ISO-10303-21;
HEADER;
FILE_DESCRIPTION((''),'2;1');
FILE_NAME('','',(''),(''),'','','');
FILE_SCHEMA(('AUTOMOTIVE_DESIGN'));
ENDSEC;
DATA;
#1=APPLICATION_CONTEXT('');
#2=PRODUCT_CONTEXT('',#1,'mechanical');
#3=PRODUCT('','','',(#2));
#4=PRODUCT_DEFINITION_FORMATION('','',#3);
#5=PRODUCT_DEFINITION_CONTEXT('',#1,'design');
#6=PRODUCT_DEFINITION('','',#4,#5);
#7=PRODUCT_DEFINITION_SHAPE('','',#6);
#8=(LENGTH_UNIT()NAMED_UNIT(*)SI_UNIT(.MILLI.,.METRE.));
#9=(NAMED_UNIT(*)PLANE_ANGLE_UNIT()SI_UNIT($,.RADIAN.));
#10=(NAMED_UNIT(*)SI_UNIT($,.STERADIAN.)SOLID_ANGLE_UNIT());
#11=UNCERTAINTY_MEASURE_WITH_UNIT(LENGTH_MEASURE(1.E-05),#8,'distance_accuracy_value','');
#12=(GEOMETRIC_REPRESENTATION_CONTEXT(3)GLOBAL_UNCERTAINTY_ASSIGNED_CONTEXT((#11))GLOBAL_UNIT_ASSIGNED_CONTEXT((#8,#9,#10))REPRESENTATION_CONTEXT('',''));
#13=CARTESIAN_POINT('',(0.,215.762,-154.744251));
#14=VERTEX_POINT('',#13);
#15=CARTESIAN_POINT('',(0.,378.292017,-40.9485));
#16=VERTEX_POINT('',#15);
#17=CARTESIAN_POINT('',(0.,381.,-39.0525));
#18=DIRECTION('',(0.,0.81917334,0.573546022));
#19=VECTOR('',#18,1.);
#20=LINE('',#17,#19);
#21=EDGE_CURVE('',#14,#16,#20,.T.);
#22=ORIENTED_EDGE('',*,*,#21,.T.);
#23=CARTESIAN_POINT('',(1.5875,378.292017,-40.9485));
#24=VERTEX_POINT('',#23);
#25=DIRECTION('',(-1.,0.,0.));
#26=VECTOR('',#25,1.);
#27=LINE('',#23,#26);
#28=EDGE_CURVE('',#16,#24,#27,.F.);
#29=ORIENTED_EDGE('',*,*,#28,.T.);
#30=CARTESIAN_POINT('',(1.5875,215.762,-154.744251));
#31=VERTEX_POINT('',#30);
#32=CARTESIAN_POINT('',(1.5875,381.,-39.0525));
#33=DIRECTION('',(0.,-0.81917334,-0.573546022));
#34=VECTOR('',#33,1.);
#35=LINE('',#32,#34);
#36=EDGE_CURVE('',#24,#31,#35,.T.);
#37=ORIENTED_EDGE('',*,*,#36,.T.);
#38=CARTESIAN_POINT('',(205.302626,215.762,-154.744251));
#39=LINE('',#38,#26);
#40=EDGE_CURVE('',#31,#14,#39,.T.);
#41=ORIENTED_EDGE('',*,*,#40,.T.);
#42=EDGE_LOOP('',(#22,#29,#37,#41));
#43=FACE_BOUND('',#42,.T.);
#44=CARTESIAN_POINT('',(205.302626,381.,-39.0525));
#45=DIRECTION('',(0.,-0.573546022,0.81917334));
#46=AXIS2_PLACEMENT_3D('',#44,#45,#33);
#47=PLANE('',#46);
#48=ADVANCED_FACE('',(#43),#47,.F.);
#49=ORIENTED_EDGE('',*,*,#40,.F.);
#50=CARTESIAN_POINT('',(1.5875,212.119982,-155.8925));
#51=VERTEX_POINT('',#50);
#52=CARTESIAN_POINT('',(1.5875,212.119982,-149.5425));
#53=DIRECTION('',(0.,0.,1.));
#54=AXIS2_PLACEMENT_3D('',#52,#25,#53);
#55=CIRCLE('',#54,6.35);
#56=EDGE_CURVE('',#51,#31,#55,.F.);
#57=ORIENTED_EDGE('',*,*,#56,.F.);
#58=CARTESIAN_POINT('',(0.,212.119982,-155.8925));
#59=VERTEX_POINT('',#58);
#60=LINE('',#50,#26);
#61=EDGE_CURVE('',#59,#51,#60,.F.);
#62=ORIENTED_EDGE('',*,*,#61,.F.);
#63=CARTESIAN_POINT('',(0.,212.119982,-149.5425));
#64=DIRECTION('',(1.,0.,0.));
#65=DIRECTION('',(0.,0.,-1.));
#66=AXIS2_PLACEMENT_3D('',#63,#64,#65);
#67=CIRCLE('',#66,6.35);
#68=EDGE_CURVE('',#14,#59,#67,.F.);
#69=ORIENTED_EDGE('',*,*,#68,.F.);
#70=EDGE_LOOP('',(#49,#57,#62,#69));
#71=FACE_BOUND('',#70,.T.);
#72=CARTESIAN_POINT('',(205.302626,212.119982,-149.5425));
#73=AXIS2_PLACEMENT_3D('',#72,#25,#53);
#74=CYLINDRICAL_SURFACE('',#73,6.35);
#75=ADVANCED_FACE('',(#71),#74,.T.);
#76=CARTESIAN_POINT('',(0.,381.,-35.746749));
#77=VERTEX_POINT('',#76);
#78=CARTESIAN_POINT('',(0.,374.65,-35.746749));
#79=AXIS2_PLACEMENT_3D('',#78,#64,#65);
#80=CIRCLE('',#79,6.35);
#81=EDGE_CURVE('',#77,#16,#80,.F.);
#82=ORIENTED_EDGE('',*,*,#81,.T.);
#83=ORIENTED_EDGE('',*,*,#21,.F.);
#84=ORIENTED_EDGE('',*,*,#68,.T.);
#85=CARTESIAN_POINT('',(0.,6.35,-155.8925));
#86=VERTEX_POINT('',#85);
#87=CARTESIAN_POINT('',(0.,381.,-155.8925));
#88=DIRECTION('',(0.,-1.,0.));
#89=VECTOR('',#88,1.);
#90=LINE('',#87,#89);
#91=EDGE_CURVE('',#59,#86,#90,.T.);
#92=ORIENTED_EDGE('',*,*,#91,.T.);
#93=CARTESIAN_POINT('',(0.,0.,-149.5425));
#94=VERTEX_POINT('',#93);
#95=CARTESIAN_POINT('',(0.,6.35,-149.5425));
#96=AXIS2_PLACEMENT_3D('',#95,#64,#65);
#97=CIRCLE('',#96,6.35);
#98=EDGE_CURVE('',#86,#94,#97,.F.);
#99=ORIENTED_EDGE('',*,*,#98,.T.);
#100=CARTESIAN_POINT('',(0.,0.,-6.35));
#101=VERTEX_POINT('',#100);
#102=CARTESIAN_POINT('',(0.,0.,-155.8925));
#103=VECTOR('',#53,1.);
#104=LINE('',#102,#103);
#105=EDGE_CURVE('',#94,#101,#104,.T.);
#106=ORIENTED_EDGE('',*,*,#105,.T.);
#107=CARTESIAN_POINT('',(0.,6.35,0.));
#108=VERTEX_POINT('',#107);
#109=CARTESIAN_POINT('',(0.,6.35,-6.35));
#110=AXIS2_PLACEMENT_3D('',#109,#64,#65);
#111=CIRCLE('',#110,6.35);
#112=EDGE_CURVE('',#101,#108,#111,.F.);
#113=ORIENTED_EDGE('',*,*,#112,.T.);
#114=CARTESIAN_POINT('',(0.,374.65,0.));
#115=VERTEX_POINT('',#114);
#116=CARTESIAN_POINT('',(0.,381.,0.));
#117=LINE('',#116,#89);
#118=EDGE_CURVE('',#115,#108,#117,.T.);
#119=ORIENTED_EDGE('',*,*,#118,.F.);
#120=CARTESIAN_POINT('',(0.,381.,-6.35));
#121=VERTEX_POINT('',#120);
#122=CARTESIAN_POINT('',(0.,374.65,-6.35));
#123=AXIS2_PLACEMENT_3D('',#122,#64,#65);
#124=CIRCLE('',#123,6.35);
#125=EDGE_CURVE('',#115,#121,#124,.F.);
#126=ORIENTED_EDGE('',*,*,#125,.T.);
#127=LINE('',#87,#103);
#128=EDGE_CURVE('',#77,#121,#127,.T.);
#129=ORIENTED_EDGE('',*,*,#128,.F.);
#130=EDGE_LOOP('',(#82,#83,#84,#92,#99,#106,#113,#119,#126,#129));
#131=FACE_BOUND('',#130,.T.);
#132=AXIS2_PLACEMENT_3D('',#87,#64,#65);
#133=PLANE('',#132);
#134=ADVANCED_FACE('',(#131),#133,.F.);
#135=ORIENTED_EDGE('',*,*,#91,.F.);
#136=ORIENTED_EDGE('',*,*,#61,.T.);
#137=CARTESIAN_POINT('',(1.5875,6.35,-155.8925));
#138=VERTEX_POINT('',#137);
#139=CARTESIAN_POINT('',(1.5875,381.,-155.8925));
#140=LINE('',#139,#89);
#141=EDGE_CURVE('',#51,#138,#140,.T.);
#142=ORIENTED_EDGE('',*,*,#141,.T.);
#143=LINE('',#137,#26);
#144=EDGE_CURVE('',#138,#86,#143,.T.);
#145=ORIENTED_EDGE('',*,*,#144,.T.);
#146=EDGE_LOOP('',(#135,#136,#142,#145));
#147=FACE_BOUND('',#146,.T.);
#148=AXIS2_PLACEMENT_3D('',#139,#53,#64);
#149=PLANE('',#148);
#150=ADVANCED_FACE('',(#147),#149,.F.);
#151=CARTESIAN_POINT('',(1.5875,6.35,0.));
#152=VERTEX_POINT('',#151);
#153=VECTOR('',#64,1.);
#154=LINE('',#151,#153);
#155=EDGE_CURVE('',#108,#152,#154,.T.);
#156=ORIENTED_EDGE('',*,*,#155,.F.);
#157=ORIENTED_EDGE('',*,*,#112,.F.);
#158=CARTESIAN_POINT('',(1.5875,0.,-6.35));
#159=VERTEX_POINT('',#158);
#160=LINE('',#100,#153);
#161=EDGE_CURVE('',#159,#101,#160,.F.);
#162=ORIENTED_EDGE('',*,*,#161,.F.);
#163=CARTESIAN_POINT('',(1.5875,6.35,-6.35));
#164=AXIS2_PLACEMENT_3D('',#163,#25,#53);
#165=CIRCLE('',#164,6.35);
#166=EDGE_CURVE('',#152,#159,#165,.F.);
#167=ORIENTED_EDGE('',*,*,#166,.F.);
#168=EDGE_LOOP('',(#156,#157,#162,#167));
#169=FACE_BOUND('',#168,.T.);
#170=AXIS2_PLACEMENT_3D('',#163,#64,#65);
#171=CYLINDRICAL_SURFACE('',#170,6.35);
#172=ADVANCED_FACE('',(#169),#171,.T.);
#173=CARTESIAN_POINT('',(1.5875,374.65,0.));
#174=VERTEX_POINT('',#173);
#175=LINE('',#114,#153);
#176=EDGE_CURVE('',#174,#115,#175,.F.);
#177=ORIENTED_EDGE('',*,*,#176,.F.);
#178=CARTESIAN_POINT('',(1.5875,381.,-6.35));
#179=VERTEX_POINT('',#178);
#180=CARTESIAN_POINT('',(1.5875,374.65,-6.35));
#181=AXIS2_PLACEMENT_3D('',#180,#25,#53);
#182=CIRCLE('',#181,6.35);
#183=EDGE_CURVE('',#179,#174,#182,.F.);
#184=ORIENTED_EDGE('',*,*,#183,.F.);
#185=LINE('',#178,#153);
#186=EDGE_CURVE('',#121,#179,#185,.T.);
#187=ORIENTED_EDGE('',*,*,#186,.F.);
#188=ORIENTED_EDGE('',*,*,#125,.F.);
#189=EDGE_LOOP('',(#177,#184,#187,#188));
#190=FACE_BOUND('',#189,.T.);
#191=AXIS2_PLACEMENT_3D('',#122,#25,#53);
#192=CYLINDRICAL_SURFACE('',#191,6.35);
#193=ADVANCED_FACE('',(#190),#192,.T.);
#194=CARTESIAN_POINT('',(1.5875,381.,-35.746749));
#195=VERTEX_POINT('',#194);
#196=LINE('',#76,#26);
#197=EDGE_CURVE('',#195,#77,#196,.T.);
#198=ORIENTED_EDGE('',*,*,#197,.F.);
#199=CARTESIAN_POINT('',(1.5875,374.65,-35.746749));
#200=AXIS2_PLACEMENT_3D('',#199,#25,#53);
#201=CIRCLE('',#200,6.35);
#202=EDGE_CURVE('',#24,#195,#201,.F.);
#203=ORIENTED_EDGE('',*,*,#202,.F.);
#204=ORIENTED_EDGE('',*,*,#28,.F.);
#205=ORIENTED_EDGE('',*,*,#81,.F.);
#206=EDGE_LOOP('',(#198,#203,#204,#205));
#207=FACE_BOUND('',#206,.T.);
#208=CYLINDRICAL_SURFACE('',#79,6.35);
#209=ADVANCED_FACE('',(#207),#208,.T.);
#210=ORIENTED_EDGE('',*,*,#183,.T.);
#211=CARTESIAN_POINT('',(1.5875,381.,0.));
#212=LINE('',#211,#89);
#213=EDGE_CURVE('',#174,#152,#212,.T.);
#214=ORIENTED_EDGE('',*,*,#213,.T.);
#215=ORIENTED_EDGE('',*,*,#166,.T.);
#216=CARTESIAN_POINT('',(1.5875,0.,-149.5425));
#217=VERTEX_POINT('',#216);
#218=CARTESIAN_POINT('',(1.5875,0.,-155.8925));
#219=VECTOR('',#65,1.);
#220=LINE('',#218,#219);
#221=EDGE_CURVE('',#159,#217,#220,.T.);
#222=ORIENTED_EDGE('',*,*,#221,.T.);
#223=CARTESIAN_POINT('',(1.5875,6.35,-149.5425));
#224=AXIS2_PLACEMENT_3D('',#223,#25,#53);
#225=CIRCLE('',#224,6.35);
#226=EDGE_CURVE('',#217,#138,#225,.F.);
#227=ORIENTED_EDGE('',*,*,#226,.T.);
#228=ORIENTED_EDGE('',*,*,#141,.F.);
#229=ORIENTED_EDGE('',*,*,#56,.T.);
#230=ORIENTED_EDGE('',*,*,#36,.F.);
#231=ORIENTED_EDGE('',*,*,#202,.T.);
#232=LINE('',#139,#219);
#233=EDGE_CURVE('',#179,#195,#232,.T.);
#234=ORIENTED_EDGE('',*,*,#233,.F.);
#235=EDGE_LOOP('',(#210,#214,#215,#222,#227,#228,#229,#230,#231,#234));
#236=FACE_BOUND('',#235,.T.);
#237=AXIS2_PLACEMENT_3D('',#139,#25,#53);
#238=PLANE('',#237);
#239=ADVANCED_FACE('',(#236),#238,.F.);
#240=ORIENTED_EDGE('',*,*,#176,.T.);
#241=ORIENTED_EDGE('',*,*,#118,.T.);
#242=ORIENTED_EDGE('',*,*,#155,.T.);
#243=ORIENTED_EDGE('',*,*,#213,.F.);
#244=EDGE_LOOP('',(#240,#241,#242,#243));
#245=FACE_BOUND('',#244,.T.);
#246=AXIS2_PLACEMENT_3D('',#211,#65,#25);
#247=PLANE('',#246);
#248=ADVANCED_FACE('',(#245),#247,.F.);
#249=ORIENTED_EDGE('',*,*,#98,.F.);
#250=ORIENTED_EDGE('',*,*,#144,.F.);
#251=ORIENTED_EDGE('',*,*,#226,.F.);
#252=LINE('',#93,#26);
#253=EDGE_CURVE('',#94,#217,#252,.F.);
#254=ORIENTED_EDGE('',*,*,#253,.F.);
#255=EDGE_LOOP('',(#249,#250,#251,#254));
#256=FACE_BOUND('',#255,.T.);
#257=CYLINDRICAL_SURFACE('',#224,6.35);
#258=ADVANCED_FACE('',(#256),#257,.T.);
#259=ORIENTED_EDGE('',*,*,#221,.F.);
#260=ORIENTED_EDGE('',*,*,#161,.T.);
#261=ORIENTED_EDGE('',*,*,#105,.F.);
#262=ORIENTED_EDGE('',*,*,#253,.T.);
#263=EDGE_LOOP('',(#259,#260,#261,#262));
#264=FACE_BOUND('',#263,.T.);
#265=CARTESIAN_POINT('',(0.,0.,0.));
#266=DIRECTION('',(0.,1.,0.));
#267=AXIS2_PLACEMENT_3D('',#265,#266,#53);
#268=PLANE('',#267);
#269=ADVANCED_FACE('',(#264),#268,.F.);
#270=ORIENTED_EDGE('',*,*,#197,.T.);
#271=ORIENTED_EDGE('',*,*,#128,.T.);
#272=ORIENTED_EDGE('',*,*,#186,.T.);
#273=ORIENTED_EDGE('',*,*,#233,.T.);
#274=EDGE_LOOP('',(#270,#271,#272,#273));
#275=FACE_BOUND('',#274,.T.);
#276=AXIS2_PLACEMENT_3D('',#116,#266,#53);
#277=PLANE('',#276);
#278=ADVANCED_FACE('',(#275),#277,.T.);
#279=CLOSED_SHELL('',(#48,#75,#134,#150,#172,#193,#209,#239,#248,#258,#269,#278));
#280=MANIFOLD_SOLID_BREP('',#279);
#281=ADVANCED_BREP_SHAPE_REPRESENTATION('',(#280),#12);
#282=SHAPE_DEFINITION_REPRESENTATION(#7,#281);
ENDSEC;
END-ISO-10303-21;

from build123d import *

# Parameters (mm, degrees)
SKETCH1_W           = 1.5875
SKETCH1_H           = 155.8925
BOSS_EXTRUDE1_DEPTH = 381
CUT_EXTRUDE1_DEPTH  = 1.5875
FILLET1_R           = 6.35


with BuildPart() as part:
    # Sketch1 → Boss-Extrude1 (new body)
    with BuildSketch(Plane(origin=(0, 0, 0), x_dir=(1, 0, 0), z_dir=(0, 1, 0))):
        with Locations((0.79375, 77.94625)):
            Rectangle(SKETCH1_W, SKETCH1_H)
    extrude(amount=BOSS_EXTRUDE1_DEPTH)

    # Sketch2 → Cut-Extrude1 (cut)
    with BuildSketch(Plane.ZY):
        Polygon((-39.0525, 381), (-155.8925, 214.122), (-155.8925, 381), align=None)
    extrude(amount=-CUT_EXTRUDE1_DEPTH, mode=Mode.SUBTRACT)

    # Fillet1
    fillet1_edges = [part.edges().sort_by_distance(p)[0] for p in [
        (0.79375, 381, -39.0525),
        (0.79375, 214.122, -155.8925),
        (0.79375, 381, 0),
        (0.79375, 0, -155.8925),
        (0.79375, 0, 0),
    ]]
    fillet(fillet1_edges, radius=FILLET1_R)


solid = part.part
